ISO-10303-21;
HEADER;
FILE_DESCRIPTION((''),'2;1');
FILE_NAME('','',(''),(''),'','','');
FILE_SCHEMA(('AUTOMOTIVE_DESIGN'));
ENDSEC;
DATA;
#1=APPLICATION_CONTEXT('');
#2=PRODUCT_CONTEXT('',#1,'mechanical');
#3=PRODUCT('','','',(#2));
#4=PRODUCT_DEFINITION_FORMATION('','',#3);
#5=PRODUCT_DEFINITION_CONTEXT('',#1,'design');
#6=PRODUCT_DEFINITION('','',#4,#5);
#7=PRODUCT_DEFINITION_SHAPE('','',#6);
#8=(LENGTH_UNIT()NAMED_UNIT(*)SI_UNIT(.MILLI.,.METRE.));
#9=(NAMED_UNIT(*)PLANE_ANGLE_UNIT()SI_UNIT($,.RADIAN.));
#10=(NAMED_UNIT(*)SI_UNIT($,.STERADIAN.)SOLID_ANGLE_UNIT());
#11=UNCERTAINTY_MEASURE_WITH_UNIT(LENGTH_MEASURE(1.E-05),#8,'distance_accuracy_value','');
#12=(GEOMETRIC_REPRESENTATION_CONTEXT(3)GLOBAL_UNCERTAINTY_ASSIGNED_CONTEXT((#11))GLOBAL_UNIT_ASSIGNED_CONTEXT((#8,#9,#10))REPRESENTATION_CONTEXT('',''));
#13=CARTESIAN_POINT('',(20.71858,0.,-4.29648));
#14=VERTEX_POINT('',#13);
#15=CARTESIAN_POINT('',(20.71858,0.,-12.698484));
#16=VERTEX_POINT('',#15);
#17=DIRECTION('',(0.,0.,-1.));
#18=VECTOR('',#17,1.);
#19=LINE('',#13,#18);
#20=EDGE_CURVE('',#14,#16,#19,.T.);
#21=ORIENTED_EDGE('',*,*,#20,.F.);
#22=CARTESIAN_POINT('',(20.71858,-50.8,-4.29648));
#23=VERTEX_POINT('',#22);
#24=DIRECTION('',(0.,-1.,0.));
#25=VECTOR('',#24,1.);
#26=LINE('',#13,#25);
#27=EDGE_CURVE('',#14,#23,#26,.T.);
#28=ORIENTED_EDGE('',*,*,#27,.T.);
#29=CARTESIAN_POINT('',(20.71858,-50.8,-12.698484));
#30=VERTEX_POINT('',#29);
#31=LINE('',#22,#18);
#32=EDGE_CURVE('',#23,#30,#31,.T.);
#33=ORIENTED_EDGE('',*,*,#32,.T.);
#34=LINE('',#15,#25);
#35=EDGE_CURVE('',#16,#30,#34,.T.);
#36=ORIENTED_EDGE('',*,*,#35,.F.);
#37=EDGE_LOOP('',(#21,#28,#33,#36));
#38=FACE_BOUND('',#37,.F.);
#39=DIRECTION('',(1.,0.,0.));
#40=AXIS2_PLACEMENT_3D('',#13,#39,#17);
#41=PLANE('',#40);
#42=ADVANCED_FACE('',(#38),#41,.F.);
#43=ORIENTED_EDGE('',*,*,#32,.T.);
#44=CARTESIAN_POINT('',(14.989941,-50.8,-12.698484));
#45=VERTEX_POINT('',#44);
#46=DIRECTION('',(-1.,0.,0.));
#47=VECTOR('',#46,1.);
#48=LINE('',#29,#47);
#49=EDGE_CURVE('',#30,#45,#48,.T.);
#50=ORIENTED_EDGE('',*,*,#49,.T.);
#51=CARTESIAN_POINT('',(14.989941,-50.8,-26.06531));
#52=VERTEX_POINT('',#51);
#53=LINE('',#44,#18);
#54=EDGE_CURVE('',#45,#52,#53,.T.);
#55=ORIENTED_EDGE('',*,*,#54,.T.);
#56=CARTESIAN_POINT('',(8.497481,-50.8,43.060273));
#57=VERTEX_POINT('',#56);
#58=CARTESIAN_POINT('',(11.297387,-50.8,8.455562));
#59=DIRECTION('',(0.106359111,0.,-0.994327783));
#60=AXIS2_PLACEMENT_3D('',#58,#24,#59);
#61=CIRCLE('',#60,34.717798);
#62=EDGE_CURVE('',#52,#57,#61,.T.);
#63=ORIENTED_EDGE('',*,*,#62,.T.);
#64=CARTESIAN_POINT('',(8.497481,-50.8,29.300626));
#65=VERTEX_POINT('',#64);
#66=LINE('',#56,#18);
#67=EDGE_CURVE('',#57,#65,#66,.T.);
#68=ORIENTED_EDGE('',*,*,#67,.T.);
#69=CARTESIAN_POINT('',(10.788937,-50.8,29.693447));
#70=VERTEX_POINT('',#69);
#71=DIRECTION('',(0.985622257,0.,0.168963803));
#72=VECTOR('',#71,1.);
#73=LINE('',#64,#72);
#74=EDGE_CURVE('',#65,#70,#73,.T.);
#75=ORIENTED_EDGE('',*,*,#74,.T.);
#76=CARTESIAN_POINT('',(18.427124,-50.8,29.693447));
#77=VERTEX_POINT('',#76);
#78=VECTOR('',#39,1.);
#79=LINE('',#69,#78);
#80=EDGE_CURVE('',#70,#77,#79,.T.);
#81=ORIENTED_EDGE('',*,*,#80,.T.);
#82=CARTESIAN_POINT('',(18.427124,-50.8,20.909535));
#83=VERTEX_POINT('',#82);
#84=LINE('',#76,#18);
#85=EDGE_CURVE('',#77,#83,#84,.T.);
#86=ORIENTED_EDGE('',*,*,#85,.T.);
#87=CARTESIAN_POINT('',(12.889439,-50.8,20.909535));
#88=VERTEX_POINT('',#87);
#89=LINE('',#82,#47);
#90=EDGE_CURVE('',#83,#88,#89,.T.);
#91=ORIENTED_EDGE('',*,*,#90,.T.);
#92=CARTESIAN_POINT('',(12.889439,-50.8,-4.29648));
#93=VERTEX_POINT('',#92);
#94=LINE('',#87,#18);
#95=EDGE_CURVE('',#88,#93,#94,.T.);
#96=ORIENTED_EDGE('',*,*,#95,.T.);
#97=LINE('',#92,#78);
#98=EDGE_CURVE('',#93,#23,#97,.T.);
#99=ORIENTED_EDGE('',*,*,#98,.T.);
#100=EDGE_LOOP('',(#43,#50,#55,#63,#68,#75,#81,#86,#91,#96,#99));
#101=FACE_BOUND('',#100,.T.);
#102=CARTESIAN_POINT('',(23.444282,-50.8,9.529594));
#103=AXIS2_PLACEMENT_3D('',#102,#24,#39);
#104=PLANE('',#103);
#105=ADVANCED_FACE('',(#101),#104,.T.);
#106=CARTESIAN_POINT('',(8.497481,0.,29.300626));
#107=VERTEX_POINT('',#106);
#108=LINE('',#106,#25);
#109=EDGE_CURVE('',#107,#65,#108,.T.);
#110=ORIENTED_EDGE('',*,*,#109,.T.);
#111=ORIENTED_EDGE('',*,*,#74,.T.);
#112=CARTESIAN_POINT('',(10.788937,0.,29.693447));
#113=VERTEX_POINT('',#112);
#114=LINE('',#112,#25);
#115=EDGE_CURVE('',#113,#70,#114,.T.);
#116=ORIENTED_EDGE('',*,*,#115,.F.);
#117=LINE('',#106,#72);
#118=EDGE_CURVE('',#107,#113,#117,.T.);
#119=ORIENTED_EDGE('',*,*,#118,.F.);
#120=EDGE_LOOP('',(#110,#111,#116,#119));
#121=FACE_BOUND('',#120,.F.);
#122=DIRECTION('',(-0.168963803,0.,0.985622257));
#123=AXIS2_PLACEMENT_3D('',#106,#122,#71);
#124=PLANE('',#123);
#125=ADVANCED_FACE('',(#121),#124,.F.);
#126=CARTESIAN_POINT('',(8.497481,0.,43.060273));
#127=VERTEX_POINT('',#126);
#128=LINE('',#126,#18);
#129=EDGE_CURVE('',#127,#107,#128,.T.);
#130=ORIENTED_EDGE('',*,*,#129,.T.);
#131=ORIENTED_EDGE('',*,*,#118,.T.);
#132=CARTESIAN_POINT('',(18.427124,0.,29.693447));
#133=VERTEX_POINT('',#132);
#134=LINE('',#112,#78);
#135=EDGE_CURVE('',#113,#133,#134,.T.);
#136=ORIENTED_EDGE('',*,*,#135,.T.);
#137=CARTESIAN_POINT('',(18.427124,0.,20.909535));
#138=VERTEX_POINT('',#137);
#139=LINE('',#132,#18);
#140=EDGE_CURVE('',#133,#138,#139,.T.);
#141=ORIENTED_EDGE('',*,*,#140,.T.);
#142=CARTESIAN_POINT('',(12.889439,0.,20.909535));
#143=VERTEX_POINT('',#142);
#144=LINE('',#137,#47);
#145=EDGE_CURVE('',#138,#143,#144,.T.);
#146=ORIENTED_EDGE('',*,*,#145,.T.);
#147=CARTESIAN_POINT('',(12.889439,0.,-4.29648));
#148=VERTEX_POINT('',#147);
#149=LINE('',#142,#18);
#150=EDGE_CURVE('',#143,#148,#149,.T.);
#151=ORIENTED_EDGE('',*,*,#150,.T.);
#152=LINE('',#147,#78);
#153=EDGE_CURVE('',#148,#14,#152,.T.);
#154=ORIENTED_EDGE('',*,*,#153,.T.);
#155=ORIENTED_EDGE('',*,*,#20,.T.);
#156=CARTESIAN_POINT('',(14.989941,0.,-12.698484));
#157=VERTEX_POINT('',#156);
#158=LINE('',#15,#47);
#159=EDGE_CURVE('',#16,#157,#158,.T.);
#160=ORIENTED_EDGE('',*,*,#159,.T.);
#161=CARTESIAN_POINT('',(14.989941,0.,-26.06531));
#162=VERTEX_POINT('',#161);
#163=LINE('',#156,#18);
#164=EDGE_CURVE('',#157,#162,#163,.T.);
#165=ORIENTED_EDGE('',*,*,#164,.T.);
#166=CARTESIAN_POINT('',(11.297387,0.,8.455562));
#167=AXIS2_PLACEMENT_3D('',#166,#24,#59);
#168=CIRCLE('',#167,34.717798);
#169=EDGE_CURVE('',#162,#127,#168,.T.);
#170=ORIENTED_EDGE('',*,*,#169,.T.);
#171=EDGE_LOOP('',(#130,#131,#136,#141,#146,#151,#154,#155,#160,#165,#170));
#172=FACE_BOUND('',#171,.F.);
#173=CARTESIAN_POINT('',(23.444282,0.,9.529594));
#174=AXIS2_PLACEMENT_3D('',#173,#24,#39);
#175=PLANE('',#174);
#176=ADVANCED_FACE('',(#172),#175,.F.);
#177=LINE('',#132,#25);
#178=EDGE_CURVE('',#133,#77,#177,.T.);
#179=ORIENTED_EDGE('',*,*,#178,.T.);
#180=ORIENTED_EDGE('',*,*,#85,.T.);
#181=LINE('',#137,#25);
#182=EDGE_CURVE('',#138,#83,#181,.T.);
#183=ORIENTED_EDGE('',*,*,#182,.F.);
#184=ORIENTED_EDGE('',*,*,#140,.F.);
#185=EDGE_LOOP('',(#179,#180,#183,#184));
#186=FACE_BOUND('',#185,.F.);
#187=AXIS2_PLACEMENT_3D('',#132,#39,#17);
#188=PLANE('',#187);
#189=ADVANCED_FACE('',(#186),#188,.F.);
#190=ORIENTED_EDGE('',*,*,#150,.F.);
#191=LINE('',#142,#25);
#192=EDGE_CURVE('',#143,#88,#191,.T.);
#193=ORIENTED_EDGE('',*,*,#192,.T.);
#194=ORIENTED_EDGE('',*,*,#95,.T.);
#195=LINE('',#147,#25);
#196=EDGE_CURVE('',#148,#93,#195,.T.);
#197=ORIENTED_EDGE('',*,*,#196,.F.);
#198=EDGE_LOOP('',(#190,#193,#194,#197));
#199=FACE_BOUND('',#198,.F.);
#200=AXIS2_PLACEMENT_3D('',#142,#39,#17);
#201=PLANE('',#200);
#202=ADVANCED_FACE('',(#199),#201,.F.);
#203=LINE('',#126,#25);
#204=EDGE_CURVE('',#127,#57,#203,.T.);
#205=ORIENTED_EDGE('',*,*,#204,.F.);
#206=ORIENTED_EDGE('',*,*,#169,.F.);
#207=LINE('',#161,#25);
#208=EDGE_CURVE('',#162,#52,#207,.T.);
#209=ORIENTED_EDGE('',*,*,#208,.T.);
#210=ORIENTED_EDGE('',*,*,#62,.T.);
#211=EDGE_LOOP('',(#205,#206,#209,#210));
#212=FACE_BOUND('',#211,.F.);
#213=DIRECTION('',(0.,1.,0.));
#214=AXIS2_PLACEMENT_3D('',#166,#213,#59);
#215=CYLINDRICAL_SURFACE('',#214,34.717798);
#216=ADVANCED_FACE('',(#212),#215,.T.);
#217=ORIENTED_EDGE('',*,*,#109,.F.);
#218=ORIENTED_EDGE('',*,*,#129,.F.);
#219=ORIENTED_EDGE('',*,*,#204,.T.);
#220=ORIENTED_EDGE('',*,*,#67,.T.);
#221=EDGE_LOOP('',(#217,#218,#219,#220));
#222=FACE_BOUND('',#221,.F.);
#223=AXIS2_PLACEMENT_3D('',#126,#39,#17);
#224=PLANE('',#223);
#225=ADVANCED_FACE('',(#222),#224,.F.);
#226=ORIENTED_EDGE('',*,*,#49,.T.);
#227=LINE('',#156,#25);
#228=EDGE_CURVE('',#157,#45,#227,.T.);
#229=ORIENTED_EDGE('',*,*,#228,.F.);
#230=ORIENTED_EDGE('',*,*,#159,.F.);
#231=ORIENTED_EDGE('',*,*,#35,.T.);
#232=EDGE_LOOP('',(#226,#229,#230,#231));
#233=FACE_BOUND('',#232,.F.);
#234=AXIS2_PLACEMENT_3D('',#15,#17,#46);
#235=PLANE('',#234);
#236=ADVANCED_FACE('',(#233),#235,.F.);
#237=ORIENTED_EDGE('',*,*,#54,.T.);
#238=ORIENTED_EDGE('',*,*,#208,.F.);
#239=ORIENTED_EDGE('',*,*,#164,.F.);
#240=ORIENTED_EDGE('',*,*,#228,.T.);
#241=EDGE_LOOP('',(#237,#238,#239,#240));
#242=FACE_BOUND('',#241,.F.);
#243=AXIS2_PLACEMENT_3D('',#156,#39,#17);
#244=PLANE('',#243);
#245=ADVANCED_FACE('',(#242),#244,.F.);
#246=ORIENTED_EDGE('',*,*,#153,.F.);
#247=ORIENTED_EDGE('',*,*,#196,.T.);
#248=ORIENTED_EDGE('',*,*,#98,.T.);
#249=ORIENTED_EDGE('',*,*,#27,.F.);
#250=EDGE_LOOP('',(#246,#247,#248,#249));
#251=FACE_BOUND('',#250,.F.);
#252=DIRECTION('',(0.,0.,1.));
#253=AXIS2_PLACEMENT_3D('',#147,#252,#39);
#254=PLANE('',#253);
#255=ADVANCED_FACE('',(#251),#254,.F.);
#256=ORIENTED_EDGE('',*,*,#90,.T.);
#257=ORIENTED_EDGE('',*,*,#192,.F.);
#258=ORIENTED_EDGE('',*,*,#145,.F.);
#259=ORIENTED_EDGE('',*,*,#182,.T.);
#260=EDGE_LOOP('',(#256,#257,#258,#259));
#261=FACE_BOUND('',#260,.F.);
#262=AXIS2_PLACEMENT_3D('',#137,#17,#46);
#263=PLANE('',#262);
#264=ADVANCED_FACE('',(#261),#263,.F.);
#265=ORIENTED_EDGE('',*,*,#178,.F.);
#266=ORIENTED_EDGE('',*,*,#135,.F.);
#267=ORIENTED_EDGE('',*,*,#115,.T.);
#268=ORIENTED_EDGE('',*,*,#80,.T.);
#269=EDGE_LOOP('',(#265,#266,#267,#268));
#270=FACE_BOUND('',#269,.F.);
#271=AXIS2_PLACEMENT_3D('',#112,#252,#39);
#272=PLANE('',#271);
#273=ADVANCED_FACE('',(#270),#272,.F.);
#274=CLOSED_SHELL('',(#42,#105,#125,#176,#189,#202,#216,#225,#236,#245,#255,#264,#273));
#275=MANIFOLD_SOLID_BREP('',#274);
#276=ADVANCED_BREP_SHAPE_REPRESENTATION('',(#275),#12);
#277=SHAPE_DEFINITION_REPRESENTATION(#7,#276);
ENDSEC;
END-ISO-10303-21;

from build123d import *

# Parameters (mm, degrees)
F1_DEPTH = 50.8


with BuildPart() as f1:
    # F0 (on Front) → F1 (new body)
    with BuildSketch(Plane.XZ):
        with BuildLine():
            Line((14.989941, -12.698484), (14.989941, -26.06531))
            ThreePointArc((14.989941, -26.06531), (45.86306, 11.702062), (8.497481, 43.060273))
            Line((8.497481, 43.060273), (10.788937, 29.693447))
            Line((10.788937, 29.693447), (18.427124, 29.693447))
            Line((18.427124, 29.693447), (18.427124, 20.909535))
            Line((18.427124, 20.909535), (12.889439, 20.909535))
            Line((12.889439, 20.909535), (12.889439, -4.29648))
            Line((12.889439, -4.29648), (20.71858, -4.29648))
            Line((20.71858, -4.29648), (20.71858, -12.698484))
            Line((20.71858, -12.698484), (14.989941, -12.698484))
        make_face()
        Polygon((10.788937, 29.693447), (8.497481, 43.060273), (8.497481, 29.300626), align=None)
    extrude(amount=F1_DEPTH)


solid = f1.part
